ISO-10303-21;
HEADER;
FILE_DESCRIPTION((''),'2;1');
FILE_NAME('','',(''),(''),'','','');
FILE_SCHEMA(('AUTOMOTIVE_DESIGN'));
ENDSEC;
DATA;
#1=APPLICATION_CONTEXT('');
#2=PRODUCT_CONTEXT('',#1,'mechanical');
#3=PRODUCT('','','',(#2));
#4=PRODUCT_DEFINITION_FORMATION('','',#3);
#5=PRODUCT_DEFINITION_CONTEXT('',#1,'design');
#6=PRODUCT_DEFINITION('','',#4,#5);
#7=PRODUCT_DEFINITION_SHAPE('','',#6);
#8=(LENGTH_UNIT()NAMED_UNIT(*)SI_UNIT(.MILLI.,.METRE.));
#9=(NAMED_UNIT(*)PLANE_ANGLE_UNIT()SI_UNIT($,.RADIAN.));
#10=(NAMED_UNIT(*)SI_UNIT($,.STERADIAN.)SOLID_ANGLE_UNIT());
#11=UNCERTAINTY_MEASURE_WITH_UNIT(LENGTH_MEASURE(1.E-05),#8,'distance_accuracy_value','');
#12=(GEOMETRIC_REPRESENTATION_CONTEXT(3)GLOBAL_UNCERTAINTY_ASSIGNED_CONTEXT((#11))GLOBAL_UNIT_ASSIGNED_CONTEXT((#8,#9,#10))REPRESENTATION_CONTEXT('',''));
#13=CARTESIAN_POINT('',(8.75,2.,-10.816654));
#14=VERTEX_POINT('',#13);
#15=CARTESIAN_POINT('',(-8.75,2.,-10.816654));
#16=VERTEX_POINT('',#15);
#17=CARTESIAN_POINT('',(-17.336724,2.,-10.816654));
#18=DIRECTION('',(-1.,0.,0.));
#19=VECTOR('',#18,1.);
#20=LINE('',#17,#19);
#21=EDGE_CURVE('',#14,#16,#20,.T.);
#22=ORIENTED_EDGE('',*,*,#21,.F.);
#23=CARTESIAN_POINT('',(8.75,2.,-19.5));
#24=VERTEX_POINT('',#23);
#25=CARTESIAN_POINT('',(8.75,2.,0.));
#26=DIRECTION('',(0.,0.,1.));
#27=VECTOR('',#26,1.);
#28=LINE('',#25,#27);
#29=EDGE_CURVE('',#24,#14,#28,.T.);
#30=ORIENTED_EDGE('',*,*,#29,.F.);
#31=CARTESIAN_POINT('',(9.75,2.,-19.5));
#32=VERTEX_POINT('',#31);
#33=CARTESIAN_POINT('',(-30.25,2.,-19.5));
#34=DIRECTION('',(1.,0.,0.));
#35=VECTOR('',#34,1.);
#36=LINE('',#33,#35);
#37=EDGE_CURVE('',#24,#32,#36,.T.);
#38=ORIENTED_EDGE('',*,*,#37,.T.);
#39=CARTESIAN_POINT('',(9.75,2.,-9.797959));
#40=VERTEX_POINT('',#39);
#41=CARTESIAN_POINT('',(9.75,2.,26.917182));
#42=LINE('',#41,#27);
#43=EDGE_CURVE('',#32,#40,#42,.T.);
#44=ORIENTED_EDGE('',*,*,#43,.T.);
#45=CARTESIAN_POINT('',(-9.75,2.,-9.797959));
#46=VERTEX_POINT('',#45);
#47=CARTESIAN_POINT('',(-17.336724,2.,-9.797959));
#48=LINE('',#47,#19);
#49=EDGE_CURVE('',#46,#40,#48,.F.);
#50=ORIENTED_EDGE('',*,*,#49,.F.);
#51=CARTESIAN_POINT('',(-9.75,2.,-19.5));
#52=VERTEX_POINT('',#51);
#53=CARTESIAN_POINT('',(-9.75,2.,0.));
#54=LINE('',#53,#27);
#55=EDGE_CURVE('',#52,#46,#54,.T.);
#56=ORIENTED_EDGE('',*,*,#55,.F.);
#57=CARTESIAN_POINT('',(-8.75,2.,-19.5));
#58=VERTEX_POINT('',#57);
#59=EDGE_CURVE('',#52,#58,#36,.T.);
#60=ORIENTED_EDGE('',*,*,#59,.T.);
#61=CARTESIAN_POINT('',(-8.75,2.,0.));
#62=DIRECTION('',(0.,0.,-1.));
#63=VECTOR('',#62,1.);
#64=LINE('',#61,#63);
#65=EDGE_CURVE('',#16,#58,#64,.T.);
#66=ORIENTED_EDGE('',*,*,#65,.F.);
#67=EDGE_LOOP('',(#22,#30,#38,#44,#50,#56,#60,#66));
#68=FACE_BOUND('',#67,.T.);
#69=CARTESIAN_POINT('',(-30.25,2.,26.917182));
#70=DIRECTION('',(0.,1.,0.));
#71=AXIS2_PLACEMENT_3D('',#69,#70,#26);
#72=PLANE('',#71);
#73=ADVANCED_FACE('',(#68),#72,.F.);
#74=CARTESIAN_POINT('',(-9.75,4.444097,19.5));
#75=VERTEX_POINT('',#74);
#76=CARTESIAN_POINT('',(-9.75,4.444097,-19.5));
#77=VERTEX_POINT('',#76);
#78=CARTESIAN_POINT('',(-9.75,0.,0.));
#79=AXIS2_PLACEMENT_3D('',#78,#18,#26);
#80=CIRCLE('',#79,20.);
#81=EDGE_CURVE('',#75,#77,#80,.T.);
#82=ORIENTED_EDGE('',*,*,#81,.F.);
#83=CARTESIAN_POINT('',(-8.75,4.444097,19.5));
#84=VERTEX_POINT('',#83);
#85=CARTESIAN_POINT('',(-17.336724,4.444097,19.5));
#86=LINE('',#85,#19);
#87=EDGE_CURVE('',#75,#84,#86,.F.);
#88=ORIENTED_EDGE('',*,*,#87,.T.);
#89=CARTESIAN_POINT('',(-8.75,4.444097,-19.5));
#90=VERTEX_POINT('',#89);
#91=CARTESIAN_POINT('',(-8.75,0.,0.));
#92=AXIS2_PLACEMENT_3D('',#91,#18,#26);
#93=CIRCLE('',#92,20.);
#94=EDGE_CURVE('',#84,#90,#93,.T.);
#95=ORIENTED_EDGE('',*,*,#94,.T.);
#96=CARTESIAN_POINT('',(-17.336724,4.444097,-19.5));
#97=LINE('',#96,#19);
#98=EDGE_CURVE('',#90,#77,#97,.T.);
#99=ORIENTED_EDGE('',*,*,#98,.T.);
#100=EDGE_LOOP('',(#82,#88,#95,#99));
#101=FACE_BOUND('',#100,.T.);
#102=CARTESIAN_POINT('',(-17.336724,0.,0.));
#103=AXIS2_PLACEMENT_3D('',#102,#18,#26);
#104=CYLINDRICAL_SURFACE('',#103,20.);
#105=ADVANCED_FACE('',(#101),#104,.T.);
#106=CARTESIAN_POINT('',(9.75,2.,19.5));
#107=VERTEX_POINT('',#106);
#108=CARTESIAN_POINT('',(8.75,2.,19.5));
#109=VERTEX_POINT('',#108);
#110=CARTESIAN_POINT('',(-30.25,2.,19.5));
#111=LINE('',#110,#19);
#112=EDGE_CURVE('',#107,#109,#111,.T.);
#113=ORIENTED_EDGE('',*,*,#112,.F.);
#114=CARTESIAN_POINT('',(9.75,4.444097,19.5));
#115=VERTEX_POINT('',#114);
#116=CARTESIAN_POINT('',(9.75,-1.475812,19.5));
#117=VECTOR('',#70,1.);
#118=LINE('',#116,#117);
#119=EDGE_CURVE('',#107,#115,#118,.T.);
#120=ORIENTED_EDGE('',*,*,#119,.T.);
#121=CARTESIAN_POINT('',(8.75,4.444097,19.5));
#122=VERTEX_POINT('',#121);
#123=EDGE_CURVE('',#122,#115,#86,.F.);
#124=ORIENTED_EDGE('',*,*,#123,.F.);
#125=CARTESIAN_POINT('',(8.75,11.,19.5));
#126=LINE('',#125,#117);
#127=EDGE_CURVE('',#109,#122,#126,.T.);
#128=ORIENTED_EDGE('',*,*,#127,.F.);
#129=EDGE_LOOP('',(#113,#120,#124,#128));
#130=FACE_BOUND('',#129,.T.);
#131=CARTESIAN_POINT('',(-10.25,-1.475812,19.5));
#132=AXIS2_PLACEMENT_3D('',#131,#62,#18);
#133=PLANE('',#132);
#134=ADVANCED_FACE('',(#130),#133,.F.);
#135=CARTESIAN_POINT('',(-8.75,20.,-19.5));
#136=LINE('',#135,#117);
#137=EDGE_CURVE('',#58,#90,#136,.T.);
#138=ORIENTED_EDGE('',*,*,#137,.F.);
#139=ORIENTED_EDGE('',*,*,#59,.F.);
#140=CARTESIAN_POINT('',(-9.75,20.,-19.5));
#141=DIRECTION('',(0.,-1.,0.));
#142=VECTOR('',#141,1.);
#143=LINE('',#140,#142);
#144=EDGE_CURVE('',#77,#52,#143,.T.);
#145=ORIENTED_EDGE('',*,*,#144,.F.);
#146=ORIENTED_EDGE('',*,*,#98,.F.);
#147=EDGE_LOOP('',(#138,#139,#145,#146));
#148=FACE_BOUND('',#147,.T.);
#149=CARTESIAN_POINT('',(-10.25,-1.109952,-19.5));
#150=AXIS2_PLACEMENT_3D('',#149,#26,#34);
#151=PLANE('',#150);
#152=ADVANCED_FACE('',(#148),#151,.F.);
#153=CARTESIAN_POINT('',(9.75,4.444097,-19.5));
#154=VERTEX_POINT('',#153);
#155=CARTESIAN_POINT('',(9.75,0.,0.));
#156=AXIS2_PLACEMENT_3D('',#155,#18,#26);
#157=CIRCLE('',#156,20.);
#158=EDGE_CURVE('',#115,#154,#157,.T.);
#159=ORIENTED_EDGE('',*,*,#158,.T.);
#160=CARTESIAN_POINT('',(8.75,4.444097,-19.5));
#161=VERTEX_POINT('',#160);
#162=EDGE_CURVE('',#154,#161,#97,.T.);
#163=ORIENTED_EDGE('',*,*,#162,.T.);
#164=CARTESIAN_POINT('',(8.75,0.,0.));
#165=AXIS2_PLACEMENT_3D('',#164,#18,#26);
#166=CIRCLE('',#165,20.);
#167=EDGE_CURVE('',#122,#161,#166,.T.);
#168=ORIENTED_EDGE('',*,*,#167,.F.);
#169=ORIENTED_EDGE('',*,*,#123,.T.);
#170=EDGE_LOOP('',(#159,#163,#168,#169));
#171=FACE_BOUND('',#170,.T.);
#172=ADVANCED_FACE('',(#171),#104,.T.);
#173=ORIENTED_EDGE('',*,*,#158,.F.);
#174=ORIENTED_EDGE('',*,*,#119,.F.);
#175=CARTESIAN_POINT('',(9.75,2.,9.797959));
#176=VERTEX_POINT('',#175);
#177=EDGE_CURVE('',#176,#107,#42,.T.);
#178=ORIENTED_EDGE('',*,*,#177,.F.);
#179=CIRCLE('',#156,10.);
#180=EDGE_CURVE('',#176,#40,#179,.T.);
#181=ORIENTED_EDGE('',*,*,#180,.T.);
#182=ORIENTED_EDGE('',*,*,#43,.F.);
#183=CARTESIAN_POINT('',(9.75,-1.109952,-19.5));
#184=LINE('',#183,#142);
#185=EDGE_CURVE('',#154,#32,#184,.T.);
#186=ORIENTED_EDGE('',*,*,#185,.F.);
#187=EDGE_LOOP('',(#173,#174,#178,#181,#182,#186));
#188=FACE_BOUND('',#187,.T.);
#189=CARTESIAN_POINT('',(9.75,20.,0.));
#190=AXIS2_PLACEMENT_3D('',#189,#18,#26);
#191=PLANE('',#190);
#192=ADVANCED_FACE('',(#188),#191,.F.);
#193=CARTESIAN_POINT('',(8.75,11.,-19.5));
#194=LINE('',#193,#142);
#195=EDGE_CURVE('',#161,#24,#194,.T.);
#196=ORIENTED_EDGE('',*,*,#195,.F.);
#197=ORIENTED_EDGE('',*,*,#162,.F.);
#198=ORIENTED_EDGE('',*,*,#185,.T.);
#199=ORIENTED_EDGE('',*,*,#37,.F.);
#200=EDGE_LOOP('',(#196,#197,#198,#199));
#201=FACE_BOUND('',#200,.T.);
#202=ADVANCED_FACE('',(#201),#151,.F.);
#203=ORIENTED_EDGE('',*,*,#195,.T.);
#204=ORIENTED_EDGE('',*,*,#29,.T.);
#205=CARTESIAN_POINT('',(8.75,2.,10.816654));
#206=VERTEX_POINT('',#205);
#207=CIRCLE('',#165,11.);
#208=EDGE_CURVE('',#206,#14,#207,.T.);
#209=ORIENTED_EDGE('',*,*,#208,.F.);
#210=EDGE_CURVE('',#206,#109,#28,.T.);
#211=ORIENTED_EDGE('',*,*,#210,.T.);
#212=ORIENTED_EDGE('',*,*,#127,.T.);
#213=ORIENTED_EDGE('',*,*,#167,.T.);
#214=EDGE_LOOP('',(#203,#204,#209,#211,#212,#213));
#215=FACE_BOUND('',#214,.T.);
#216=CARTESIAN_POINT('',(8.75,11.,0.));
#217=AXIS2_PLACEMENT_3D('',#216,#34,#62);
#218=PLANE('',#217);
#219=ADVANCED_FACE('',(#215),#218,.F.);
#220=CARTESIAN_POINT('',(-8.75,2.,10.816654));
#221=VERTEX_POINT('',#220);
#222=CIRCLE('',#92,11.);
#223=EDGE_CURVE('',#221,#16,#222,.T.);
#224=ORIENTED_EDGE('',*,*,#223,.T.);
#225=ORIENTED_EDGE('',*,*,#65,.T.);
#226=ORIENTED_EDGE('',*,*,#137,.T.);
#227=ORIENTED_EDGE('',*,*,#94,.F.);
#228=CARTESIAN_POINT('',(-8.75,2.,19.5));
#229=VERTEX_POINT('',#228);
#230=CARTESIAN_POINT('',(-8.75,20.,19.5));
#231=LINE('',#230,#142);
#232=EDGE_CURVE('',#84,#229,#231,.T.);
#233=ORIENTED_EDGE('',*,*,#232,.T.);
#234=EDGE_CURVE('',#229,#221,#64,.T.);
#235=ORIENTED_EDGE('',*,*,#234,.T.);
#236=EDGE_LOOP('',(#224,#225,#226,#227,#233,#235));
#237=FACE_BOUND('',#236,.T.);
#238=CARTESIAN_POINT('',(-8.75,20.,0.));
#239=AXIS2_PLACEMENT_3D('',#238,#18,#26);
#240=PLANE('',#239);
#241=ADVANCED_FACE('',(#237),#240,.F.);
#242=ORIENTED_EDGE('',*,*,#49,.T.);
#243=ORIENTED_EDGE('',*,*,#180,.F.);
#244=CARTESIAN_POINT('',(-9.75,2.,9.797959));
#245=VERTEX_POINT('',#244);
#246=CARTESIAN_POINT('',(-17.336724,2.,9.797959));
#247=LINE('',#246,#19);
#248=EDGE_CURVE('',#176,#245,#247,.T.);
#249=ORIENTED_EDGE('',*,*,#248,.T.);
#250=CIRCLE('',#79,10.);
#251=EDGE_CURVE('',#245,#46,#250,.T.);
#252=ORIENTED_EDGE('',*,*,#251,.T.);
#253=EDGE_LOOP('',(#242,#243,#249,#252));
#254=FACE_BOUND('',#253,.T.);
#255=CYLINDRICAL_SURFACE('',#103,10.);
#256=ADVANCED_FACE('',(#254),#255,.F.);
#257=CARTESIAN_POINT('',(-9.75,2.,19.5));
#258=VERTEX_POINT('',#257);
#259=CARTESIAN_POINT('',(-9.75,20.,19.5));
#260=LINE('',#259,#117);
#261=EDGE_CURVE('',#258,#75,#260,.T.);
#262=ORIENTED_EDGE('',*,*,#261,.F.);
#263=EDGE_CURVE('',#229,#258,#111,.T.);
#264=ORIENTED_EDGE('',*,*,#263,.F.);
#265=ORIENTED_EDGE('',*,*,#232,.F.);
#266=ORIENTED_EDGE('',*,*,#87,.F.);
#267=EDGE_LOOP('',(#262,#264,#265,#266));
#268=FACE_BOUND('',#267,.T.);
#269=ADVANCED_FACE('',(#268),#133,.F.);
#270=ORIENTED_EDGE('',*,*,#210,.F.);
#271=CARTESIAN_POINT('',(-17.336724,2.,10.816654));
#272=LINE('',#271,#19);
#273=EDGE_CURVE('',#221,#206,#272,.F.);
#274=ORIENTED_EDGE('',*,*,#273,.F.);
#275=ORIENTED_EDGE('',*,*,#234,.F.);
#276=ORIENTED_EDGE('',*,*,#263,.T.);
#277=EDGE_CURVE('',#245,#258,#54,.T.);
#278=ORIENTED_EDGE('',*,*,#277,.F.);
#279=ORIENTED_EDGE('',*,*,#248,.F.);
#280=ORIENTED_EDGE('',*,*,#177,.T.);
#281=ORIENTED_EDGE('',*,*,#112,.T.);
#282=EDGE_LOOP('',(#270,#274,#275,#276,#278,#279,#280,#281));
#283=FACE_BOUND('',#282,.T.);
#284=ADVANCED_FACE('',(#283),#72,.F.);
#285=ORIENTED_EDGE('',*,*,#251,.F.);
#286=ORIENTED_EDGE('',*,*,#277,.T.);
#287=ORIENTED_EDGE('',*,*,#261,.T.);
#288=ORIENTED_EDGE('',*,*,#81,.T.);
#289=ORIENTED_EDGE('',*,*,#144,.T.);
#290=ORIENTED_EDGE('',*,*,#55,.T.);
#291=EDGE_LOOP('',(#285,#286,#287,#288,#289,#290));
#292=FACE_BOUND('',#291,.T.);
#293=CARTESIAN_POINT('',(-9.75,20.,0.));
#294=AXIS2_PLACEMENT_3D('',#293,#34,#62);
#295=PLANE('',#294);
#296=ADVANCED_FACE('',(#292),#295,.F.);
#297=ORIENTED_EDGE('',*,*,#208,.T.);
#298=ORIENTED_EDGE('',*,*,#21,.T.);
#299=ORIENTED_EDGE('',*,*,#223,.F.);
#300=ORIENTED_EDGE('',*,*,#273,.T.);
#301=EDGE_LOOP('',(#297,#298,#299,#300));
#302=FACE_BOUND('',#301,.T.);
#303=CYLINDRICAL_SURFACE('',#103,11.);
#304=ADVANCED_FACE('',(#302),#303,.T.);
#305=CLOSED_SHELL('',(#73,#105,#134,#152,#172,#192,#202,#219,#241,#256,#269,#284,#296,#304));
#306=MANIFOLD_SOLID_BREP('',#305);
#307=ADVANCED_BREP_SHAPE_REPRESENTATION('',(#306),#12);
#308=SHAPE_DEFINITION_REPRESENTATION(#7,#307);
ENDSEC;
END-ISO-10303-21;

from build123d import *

# Parameters (mm, degrees)
SKETCH_2_W          = 51.075539497
SKETCH_2_H          = 30.123383878
CUT_EXTRUDE_1_DEPTH = 40
SKETCH_3_W          = 2.341501377
SKETCH_3_H          = 8.048910983
SKETCH_3_W_2        = 1.756126033
SKETCH_3_H_2        = 6.841574336
CUT_EXTRUDE_2_DEPTH = 20


with BuildPart() as part:
    # Эскиз1 → Повернуть1 (revolve)
    with BuildSketch(Plane.XY, mode=Mode.PRIVATE) as revolve_1_sk:
        Polygon((-9.75, 20), (-8.75, 20), (-8.75, 11), (8.75, 11), (8.75, 20), (9.75, 20), (9.75, 10), (-9.75, 10), align=None)
    revolve(revolve_1_sk.sketch.rotate(Axis((-17.336723769, 0, 0), (1, 0, 0)), 90), axis=Axis((-17.336723769, 0, 0), (1, 0, 0)))

    # Эскиз2 → Вырез-Вытянуть1 (cut)
    with BuildSketch(Plane(origin=(9.75, 0, 0), x_dir=(0, 0, -1), z_dir=(1, 0, 0))):
        with Locations((-1.37941238, -13.061691939)):
            Rectangle(SKETCH_2_W, SKETCH_2_H)
    extrude(amount=-CUT_EXTRUDE_1_DEPTH, mode=Mode.SUBTRACT)

    # Эскиз3 → Вырез-Вытянуть2 (cut)
    with BuildSketch(Plane(origin=(9.75, 0, 0), x_dir=(0, 0, -1), z_dir=(1, 0, 0))):
        with Locations((-20.670750689, 2.548643467)):
            Rectangle(SKETCH_3_W, SKETCH_3_H)
        with Locations((20.378063017, 2.310834734)):
            Rectangle(SKETCH_3_W_2, SKETCH_3_H_2)
    extrude(amount=-CUT_EXTRUDE_2_DEPTH, mode=Mode.SUBTRACT)


solid = part.part
